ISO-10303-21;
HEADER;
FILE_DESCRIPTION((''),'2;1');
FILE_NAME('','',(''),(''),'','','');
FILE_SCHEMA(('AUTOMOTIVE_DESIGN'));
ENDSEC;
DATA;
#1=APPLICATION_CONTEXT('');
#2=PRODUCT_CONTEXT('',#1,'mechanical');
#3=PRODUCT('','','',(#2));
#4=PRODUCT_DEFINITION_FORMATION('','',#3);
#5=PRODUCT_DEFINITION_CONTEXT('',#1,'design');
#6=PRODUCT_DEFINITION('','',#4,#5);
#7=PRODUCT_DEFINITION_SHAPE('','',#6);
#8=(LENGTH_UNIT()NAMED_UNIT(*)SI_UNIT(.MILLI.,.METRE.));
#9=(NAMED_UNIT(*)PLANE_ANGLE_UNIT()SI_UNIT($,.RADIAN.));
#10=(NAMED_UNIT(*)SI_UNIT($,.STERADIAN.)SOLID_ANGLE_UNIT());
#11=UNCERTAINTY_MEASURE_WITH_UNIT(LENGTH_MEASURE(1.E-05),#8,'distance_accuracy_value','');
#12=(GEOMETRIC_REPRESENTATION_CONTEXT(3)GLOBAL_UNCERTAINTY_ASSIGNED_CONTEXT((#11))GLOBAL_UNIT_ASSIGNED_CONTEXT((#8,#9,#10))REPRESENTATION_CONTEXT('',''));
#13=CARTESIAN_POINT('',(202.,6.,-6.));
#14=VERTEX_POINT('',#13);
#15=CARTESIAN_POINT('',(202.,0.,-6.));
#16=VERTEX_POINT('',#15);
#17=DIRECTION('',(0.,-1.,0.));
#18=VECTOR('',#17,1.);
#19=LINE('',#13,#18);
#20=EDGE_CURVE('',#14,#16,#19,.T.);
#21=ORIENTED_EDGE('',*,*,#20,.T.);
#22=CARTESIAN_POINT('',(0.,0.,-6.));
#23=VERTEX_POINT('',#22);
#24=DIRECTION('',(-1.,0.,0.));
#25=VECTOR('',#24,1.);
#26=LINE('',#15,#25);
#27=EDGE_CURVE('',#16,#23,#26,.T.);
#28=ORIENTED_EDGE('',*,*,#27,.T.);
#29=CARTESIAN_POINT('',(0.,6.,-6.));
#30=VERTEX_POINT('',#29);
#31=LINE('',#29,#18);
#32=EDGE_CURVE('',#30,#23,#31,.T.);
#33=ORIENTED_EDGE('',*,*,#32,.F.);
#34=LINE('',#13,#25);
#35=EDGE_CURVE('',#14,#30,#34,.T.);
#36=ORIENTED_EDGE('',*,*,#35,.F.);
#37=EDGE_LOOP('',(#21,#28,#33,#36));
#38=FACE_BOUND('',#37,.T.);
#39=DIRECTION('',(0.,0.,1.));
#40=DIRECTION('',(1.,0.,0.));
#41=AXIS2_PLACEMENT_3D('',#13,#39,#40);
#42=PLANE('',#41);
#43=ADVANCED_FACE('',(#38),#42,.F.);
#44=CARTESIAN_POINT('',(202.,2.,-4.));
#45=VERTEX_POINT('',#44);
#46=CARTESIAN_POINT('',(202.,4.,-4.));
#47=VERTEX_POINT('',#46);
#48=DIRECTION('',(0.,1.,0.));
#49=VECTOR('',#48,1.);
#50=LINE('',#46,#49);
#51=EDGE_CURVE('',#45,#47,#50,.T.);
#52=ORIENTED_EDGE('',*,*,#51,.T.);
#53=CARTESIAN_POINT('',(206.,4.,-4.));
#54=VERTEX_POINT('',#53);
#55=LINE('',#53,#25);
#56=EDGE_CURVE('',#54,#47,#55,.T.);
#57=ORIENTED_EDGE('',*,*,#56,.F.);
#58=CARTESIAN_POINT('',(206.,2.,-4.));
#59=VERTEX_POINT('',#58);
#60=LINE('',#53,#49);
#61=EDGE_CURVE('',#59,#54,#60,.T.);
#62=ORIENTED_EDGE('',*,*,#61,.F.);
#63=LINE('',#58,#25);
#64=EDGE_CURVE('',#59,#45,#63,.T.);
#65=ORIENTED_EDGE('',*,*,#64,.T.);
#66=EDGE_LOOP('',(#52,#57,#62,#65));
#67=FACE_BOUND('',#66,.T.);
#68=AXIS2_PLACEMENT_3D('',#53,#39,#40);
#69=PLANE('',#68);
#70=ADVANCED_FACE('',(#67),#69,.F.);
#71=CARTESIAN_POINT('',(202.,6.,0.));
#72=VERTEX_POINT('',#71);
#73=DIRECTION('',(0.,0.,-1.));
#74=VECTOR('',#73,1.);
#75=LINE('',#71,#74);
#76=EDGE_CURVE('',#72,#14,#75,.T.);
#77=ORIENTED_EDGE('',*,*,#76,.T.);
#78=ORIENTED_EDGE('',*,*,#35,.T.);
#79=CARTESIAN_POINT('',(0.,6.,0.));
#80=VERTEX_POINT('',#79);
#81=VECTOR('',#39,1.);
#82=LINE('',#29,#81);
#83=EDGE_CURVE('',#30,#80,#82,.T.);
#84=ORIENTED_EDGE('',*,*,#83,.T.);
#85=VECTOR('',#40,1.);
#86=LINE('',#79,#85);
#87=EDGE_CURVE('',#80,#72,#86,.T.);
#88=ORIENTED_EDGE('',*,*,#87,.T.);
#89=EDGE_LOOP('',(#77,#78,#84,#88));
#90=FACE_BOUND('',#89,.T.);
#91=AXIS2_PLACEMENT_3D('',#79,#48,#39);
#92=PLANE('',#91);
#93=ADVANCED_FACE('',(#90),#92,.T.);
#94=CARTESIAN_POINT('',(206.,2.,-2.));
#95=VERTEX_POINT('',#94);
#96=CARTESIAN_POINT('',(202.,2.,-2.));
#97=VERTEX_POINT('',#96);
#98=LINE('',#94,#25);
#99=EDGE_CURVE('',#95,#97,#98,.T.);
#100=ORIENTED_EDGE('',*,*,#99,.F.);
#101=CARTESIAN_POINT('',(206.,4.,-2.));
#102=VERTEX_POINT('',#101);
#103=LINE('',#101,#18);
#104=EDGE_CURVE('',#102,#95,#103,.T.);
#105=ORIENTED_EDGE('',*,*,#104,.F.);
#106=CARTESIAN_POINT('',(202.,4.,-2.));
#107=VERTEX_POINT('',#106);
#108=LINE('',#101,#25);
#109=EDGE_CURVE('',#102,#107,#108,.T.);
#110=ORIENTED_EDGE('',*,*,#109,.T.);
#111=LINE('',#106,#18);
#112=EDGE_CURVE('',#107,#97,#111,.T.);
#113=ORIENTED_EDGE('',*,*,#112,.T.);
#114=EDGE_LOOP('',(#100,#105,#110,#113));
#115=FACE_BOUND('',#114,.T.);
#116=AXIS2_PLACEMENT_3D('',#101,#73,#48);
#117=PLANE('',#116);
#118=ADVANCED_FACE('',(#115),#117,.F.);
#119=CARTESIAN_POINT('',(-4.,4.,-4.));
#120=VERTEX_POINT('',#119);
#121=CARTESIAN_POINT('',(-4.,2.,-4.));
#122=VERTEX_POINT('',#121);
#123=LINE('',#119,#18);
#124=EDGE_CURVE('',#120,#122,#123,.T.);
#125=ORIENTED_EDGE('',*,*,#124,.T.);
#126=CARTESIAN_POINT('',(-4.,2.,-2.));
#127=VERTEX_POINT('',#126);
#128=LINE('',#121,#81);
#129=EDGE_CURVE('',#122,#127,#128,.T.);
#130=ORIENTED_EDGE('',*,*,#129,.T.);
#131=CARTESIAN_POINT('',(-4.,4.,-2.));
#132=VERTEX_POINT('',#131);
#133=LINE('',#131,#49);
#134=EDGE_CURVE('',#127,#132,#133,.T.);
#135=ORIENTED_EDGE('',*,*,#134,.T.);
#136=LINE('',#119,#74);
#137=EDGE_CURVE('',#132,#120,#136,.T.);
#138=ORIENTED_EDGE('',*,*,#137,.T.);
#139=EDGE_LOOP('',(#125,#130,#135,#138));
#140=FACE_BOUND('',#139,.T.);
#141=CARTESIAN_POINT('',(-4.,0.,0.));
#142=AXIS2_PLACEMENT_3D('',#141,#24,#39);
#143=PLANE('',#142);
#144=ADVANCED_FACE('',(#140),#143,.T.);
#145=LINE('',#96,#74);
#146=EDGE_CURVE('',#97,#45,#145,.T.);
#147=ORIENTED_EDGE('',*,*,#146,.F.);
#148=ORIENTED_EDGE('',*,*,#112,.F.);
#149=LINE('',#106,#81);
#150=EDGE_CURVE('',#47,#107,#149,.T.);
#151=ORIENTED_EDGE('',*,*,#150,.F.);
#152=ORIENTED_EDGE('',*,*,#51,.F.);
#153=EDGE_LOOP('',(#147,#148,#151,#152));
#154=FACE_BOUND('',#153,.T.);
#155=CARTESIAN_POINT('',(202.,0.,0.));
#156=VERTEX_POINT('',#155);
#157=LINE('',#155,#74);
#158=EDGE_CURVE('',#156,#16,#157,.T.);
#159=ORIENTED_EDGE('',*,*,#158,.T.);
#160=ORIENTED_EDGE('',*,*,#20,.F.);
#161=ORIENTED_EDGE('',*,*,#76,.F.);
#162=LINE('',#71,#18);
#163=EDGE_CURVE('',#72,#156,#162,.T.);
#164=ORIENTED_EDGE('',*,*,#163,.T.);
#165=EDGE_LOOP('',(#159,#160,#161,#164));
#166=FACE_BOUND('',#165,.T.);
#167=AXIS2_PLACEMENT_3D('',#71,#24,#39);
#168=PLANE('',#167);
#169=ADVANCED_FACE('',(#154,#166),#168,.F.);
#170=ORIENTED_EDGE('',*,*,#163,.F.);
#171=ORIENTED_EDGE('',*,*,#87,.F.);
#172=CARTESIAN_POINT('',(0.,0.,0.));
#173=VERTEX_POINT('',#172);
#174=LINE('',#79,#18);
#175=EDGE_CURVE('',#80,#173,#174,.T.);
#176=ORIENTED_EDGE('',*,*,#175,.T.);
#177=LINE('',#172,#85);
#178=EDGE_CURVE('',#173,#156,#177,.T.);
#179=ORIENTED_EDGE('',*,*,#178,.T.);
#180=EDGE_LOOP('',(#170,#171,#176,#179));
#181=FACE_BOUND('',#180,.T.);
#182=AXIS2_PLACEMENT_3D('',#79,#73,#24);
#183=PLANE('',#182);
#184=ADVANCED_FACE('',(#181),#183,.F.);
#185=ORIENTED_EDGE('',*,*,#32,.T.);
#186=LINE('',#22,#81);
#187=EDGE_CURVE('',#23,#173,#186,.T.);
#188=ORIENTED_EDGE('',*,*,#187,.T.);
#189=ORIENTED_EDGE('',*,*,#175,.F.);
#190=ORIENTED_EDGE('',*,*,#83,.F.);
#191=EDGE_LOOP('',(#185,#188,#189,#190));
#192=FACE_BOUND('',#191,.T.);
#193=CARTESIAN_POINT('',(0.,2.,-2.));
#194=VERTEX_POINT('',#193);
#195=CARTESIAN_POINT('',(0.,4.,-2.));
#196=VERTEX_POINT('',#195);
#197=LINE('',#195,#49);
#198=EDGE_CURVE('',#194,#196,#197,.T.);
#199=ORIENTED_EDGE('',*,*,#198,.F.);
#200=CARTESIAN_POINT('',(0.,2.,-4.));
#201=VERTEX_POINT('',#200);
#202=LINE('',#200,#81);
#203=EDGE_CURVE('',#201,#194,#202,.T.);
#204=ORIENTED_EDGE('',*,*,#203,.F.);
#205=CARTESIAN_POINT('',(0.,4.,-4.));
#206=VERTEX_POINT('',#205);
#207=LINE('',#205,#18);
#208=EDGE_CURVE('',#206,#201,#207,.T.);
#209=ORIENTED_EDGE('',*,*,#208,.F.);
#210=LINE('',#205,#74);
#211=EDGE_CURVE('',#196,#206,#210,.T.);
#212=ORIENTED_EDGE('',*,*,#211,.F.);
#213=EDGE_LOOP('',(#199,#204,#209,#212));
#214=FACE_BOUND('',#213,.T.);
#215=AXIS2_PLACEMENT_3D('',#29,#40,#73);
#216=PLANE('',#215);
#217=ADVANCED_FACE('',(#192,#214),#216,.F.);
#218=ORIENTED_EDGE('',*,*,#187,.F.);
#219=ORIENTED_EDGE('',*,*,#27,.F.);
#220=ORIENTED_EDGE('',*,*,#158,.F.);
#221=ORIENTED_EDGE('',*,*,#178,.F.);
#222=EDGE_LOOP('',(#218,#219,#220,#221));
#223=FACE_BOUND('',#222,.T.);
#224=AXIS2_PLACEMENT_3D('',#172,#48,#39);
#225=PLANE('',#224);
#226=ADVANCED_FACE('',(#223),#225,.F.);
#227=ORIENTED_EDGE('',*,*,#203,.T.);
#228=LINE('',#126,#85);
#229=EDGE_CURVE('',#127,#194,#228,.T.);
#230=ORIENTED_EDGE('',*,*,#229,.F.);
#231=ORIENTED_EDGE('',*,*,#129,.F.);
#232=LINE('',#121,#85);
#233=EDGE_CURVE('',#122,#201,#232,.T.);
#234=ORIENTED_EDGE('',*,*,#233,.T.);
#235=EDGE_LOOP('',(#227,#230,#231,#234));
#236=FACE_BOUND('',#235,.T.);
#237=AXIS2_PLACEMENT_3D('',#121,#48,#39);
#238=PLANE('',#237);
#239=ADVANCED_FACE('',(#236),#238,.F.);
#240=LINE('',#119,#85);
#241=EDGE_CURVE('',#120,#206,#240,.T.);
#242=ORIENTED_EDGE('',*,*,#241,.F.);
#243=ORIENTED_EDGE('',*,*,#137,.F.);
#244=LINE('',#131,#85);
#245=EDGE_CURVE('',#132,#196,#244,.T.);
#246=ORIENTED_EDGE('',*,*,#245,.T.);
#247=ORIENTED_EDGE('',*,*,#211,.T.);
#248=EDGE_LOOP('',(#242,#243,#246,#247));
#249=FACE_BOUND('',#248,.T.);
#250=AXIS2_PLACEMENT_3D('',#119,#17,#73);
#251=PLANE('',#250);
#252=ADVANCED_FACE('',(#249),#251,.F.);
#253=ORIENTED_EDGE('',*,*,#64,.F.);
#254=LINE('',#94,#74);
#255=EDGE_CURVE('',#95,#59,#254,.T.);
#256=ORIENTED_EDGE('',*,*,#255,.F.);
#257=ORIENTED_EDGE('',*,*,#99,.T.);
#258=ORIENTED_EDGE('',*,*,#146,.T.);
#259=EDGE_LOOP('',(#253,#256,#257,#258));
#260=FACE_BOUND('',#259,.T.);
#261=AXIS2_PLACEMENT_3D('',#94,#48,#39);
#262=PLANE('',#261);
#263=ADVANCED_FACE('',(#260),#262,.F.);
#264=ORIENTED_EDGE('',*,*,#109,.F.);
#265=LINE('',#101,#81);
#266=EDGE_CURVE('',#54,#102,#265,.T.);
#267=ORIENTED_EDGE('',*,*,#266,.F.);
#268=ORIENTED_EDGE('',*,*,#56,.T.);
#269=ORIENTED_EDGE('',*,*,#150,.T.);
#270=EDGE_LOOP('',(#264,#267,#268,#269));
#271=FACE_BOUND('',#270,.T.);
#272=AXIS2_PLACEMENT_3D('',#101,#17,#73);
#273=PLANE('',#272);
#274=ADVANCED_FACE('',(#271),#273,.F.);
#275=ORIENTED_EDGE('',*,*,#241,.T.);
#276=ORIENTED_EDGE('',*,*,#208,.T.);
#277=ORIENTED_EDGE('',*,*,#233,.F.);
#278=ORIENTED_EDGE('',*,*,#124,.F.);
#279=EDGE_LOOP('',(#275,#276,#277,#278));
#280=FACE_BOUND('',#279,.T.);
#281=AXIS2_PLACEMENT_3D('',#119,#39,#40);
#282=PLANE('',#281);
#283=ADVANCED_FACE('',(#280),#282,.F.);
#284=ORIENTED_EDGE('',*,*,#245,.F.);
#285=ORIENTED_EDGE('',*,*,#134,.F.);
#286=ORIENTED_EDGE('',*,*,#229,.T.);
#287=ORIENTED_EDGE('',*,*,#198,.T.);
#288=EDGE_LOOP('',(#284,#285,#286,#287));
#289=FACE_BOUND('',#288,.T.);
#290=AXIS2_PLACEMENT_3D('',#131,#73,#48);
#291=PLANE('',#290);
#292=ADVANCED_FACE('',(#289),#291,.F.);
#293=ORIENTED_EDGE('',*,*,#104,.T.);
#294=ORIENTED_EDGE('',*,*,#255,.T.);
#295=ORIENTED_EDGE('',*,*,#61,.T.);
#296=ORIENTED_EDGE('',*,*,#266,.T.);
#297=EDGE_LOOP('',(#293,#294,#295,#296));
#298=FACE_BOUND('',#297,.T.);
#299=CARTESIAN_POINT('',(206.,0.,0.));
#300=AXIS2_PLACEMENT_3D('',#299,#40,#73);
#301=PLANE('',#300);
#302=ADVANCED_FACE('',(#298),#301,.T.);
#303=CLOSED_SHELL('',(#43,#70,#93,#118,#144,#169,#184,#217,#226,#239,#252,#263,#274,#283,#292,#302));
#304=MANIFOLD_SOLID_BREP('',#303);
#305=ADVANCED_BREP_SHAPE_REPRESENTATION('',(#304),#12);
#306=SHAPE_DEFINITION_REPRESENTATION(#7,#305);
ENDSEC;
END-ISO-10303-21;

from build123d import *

# Parameters (mm, degrees)
SKICA1_W                = 202
SKICA1_H                = 6
P_IDAT_VYSUNUT_M1_DEPTH = 6
SKICA2_W                = 2
SKICA2_H                = 2
P_IDAT_VYSUNUT_M2_DEPTH = 4
SKICA3_W                = 2
SKICA3_H                = 2
P_IDAT_VYSUNUT_M3_DEPTH = 4


with BuildPart() as part:
    # Skica1 → Přidat vysunutím1 (new body)
    with BuildSketch(Plane(origin=(0, 0, 0), x_dir=(1, 0, 0), z_dir=(0, 1, 0))):
        with Locations((101, 3)):
            Rectangle(SKICA1_W, SKICA1_H)
    extrude(amount=P_IDAT_VYSUNUT_M1_DEPTH)

    # Skica2 → Přidat vysunutím2 (add)
    with BuildSketch(Plane.ZY):
        with Locations((-3, 3)):
            Rectangle(SKICA2_W, SKICA2_H)
    extrude(amount=P_IDAT_VYSUNUT_M2_DEPTH)

    # Skica3 → Přidat vysunutím3 (add)
    with BuildSketch(Plane(origin=(202, 0, 0), x_dir=(0, 0, -1), z_dir=(1, 0, 0))):
        with Locations((3, 3)):
            Rectangle(SKICA3_W, SKICA3_H)
    extrude(amount=P_IDAT_VYSUNUT_M3_DEPTH)


solid = part.part
